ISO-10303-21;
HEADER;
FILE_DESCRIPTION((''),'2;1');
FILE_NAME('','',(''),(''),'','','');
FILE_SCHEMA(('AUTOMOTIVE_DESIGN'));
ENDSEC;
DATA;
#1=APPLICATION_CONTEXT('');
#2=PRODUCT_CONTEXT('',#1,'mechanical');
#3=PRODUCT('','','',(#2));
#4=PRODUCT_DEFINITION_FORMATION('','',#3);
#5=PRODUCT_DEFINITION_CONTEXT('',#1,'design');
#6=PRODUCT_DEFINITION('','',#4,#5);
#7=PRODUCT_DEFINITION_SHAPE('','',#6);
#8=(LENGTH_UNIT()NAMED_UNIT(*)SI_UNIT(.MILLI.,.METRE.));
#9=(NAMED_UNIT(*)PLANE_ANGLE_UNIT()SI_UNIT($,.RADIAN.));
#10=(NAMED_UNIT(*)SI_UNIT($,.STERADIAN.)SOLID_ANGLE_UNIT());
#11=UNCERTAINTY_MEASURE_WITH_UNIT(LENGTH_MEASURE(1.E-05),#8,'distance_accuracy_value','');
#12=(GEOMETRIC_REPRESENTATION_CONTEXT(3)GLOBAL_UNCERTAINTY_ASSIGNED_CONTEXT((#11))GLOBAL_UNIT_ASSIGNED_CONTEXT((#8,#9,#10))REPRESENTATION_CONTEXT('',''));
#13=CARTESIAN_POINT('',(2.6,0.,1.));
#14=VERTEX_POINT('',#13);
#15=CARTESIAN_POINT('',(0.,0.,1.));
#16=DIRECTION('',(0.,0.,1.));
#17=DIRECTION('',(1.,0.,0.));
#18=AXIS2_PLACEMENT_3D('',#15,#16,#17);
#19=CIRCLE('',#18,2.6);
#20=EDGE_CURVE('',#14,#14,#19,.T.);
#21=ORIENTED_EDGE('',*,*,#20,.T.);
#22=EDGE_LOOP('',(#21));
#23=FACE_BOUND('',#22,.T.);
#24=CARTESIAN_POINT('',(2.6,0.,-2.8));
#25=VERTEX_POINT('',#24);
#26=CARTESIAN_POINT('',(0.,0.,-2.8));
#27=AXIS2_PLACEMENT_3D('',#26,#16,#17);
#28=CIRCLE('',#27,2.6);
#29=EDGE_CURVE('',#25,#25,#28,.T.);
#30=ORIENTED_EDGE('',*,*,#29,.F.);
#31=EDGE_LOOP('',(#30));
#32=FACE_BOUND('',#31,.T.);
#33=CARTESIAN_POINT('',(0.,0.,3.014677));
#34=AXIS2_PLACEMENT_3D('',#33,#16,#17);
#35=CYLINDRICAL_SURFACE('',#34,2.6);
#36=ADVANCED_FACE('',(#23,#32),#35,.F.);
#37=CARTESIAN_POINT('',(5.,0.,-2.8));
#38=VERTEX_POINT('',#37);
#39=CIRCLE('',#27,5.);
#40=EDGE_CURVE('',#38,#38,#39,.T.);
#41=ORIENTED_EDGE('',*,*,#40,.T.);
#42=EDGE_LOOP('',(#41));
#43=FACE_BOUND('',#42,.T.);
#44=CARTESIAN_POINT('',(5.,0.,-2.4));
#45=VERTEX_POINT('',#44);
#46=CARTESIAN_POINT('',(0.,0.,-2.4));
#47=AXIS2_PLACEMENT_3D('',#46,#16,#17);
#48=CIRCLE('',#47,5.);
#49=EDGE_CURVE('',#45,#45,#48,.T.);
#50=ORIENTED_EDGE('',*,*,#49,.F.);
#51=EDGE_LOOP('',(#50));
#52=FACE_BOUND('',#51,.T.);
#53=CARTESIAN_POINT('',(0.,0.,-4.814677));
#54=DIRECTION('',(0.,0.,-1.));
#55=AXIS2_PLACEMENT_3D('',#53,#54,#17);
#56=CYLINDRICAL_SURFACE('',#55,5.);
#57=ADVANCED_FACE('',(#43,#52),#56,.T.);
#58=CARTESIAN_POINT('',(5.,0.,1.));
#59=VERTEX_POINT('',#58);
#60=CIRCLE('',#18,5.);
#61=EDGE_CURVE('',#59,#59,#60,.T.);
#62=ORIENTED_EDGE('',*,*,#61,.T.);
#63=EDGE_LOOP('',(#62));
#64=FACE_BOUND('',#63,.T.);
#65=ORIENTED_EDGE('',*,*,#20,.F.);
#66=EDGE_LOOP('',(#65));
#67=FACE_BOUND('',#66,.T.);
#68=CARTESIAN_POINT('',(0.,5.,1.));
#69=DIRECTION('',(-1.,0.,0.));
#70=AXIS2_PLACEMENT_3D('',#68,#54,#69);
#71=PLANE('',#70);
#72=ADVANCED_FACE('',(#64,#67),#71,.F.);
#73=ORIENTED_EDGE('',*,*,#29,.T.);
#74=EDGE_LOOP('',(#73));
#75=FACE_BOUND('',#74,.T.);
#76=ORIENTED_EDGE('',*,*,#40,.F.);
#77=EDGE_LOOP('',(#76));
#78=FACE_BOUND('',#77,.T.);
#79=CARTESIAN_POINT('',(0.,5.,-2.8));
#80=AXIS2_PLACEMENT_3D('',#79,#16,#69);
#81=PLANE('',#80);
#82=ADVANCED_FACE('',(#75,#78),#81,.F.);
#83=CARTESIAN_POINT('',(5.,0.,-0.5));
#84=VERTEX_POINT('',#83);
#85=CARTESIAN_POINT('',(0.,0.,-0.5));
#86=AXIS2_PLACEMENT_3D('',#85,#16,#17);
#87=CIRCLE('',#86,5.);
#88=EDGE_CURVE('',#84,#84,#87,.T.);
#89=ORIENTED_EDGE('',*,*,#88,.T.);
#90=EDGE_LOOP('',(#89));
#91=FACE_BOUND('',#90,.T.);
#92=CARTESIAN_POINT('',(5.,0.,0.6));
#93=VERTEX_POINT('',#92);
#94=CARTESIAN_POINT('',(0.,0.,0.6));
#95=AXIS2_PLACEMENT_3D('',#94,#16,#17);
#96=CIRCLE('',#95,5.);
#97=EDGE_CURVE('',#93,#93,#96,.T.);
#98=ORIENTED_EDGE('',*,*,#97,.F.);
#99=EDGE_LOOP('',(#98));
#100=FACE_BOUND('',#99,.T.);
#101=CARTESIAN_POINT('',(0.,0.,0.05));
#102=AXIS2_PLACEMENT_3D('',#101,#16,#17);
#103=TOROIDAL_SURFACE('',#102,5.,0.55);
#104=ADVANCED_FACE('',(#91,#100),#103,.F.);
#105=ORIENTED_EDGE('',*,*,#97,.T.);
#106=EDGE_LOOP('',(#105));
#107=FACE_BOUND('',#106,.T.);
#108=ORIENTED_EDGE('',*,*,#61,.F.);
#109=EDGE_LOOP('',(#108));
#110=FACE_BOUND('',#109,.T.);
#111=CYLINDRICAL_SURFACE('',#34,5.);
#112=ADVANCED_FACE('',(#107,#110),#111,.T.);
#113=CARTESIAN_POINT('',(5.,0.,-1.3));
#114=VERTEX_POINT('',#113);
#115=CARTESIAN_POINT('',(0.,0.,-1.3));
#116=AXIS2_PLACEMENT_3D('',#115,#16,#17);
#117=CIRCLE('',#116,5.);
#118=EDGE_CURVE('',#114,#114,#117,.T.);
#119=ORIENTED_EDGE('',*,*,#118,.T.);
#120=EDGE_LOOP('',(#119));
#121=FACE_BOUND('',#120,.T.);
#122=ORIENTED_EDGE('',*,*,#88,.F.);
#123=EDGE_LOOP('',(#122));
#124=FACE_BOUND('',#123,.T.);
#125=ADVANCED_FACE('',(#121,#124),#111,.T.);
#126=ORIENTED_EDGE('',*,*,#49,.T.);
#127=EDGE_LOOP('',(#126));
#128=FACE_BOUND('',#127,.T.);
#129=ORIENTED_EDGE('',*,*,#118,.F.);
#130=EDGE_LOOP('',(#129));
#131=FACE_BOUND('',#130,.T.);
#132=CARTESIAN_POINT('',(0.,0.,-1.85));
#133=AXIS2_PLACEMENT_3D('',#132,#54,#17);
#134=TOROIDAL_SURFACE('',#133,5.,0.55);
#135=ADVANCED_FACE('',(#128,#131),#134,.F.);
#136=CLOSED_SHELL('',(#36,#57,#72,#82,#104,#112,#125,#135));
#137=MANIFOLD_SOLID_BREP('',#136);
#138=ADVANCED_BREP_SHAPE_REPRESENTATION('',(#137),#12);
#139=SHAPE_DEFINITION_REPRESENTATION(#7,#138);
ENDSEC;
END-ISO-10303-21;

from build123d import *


with BuildPart() as part:
    # Sketch2 → Revolve1 (revolve)
    with BuildSketch(Plane(origin=(0, 0, 0), x_dir=(0, 0, -1), z_dir=(1, 0, 0))):
        with BuildLine():
            Line((0.9, 2.6), (0.9, 5))
            Line((0.9, 5), (0.5, 5))
            ThreePointArc((0.5, 5), (-0.05, 4.45), (-0.6, 5))
            Line((-0.6, 5), (-1, 5))
            Line((-1, 5), (-1, 2.6))
            Line((-1, 2.6), (0.9, 2.6))
        make_face()
    revolve1 = revolve(axis=Axis((0, 0, 3.014677367), (0, 0, -1)))

    # Mirror2: Revolve1 across plane
    add(revolve1.mirror(Plane(origin=(0, 0, -0.9), x_dir=(1, 0, 0), z_dir=(0, 0, -1))))


solid = part.part
